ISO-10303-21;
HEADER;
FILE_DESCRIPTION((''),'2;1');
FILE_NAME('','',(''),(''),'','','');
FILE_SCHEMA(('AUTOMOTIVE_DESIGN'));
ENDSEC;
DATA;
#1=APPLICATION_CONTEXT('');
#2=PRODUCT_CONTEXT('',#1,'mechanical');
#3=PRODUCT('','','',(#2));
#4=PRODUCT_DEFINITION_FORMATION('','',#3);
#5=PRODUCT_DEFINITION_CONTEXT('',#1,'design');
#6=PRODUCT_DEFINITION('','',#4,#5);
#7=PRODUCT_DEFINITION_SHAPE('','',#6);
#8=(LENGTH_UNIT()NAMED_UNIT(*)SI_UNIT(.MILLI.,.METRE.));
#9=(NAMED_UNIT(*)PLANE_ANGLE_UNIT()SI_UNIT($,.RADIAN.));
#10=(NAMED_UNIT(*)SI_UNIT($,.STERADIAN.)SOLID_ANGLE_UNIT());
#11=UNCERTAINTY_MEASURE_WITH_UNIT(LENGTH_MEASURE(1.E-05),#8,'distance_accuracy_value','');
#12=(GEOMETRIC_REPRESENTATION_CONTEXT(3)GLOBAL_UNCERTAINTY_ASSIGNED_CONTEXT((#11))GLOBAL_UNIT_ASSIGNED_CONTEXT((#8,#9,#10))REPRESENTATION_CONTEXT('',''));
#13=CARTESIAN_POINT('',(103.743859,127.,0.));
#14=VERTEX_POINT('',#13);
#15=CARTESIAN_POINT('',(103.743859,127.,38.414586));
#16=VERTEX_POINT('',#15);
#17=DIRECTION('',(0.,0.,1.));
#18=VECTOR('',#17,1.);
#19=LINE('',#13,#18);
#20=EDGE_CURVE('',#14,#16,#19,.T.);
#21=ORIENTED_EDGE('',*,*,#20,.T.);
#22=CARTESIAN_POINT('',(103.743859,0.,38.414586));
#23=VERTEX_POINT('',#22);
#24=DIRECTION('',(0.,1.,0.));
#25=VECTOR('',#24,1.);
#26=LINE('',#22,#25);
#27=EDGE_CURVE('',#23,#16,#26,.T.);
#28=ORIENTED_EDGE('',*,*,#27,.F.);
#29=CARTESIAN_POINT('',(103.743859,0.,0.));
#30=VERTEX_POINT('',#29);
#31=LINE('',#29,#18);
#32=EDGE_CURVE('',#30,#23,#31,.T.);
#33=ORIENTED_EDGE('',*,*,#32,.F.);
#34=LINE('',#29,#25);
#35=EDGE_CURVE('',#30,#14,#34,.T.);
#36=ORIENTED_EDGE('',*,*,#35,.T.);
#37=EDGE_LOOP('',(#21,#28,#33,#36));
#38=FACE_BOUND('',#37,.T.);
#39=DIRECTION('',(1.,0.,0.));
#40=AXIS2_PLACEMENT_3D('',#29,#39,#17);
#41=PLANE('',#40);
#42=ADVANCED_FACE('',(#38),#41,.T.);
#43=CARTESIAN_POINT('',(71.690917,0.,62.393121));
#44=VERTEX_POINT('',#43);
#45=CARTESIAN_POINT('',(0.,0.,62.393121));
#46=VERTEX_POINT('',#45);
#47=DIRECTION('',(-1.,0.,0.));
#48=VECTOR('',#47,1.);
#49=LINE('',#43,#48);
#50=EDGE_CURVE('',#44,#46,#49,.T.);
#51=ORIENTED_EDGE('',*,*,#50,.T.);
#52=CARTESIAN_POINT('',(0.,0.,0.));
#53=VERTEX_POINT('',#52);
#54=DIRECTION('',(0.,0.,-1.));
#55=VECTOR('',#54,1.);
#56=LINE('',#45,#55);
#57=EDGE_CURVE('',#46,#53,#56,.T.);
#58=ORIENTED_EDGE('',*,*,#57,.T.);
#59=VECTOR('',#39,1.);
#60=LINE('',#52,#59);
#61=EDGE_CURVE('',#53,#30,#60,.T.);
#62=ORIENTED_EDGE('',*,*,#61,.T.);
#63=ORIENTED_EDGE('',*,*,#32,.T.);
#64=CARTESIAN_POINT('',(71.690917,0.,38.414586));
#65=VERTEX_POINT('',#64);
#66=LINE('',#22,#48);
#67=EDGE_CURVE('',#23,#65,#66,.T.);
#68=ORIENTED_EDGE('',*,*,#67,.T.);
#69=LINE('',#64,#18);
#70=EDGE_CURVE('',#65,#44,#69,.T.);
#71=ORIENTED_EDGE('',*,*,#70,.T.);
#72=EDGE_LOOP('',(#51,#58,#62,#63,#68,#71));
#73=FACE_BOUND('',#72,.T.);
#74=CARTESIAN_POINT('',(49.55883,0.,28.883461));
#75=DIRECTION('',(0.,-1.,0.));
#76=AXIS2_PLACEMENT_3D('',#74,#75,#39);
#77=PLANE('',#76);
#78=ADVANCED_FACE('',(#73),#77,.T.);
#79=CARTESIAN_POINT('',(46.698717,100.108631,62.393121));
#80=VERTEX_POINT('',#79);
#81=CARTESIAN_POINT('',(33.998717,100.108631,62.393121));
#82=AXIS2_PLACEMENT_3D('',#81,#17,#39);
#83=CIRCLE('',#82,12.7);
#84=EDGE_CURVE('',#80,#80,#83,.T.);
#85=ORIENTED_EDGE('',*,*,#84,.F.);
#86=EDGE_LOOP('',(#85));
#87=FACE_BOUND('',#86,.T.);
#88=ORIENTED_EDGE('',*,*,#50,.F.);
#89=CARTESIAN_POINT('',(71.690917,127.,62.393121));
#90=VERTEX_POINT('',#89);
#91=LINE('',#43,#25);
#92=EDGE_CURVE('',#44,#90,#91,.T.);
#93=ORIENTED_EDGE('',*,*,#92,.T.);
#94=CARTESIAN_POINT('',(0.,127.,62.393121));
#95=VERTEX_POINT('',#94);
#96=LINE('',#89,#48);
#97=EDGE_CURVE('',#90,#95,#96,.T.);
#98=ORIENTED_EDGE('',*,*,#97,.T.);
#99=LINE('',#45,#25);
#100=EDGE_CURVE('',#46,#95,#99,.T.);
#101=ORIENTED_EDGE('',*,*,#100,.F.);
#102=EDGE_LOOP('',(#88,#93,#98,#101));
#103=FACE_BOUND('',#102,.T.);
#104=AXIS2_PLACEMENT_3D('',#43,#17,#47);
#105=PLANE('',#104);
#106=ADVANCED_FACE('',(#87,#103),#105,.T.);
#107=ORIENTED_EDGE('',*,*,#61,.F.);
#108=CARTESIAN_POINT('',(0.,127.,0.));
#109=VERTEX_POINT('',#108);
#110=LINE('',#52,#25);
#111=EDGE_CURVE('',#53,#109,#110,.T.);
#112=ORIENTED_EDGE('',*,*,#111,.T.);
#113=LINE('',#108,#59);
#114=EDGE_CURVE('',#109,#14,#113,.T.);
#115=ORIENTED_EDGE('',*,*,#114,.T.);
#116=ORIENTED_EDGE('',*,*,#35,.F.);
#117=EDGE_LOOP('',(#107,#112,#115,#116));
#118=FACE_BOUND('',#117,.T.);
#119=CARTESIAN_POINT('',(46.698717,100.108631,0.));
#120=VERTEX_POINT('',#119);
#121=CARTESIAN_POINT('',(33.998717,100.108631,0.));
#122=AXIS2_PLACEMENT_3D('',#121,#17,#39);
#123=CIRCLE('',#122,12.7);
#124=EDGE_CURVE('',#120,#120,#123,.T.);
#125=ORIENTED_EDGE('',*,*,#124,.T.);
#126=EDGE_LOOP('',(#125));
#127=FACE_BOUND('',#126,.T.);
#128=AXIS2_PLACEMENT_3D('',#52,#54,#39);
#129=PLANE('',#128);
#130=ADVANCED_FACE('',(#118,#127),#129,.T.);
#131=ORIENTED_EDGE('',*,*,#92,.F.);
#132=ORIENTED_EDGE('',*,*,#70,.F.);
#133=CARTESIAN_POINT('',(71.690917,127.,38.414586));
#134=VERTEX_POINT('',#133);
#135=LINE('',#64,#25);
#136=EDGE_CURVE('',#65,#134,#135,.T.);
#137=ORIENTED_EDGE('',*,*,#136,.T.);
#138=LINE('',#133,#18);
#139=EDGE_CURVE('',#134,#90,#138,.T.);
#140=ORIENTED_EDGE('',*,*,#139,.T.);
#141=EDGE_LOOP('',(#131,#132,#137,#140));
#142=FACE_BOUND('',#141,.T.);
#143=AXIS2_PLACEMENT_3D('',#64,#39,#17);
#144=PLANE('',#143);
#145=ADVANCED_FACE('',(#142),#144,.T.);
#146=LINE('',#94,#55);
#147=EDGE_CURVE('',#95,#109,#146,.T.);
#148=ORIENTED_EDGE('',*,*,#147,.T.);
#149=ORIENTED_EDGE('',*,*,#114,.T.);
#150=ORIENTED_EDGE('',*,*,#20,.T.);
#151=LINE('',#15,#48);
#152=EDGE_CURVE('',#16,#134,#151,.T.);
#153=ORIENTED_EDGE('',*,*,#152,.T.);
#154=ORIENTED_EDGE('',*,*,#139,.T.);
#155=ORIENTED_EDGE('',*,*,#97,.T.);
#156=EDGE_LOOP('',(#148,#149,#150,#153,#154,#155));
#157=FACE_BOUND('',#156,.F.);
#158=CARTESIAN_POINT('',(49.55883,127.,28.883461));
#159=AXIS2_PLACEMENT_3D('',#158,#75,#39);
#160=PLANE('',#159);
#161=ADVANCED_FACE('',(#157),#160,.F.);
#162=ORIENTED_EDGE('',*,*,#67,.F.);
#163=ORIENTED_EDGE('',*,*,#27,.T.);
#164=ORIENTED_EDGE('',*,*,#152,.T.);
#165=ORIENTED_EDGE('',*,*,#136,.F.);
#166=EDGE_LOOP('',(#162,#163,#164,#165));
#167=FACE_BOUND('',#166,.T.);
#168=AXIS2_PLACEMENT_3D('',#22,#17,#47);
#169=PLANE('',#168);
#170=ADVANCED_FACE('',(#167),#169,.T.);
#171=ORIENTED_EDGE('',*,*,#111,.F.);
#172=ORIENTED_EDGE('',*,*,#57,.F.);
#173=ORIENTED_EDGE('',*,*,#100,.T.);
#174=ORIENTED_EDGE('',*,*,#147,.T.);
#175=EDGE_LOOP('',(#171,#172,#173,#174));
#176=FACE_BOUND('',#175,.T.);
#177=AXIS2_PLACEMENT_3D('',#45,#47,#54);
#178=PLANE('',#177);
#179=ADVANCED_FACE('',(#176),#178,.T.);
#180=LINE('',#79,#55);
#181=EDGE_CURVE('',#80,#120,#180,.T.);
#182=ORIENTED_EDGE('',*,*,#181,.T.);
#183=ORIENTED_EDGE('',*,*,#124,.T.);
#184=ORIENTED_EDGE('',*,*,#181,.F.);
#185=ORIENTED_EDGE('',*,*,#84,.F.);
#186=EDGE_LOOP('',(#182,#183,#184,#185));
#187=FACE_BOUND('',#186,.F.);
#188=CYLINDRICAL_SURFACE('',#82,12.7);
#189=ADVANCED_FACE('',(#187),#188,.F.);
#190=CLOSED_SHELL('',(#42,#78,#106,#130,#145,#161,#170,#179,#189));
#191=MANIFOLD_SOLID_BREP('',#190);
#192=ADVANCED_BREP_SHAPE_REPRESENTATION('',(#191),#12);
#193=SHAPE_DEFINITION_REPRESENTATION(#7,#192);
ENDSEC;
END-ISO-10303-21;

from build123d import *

# Parameters (mm, degrees)
F1_DEPTH = 127
F2_R     = 12.7
F3_DEPTH = 62.393121


with BuildPart() as f1:
    # F0 (on Front) → F1 (new body)
    with BuildSketch(Plane.XZ):
        Polygon((0, 62.393121), (0, 0), (103.743859, 0), (103.743859, 38.414586), (71.690917, 38.414586), (71.690917, 62.393121), align=None)
    extrude(amount=-F1_DEPTH)

    # F2 (on face) → F3 (cut, through all)
    with BuildSketch(Plane.XY.offset(62.393121)):
        with Locations((33.998717, 100.108631)):
            Circle(F2_R)
    extrude(amount=-F3_DEPTH, mode=Mode.SUBTRACT)


solid = f1.part
